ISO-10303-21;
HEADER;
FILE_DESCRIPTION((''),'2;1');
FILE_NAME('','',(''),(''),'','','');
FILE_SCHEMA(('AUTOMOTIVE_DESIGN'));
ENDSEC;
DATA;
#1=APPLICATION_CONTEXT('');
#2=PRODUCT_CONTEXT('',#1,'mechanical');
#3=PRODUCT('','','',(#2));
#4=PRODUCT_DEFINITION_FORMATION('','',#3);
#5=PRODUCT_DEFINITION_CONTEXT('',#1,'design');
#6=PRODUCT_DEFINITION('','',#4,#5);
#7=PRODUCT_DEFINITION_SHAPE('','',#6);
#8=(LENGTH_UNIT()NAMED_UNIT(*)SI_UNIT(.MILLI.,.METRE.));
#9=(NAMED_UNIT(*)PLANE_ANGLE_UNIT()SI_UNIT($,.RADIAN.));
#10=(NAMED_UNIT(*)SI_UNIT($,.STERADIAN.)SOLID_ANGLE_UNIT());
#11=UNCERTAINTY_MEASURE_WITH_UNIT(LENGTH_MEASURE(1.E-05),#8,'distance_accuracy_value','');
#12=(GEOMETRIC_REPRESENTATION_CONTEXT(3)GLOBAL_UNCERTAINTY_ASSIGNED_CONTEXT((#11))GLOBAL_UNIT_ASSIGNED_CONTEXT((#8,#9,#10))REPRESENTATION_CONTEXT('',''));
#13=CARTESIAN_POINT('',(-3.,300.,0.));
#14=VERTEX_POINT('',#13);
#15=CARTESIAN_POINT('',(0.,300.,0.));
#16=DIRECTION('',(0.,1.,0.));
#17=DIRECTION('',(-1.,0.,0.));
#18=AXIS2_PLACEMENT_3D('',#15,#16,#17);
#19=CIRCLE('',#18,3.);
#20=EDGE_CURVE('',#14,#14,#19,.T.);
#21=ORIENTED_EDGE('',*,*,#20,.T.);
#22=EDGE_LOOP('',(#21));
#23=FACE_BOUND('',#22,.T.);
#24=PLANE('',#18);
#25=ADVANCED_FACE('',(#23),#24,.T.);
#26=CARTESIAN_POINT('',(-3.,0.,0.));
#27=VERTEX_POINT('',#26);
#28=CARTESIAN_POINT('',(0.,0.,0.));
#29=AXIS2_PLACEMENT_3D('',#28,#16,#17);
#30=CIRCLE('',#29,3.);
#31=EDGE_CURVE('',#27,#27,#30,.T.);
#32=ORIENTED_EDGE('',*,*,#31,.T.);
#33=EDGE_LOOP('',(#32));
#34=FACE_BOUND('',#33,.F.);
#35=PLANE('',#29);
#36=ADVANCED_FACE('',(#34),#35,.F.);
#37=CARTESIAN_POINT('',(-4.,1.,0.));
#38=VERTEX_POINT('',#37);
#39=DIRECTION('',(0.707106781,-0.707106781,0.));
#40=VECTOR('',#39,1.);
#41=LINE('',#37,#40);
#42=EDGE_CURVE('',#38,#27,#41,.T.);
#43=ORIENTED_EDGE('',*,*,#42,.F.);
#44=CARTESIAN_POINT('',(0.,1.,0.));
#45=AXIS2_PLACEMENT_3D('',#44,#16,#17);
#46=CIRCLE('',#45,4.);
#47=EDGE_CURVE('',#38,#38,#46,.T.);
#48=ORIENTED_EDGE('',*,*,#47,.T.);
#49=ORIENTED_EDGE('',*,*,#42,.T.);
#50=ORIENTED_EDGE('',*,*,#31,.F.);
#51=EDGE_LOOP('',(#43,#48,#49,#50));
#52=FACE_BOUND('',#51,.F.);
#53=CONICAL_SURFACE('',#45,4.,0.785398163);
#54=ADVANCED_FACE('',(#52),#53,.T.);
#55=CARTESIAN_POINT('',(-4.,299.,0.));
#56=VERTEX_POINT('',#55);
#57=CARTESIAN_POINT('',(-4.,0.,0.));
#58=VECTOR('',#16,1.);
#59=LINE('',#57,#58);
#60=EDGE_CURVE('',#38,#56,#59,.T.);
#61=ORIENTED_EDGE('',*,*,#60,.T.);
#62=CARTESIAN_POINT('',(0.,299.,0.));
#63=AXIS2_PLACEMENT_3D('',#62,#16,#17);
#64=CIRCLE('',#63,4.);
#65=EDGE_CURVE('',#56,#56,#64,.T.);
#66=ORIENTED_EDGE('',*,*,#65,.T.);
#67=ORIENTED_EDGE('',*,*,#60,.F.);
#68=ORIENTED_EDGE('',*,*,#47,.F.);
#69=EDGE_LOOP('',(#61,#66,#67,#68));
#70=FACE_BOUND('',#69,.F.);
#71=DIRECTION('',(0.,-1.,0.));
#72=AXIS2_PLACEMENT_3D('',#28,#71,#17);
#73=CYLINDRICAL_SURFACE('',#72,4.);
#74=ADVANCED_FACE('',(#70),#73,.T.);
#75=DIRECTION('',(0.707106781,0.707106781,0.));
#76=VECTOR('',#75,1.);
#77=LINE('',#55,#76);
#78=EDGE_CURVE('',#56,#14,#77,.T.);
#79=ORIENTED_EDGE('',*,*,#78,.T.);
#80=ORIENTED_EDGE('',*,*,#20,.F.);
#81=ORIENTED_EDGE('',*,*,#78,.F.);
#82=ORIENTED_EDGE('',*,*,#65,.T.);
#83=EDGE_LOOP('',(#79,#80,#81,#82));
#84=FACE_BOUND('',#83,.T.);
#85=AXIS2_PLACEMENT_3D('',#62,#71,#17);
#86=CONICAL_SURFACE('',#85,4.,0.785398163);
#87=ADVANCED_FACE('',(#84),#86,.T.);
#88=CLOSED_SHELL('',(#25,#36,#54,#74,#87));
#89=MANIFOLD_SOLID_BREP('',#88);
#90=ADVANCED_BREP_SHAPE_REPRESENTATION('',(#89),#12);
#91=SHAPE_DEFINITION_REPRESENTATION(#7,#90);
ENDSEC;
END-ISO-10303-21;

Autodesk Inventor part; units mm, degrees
ref_plane "YZ Plane" through (0, 0, 0) normal (1, 0, 0) x (0, 1, 0)
ref_plane "XZ Plane" through (0, 0, 0) normal (0, 1, 0) x (-1, 0, 0)
ref_plane "XY Plane" through (0, 0, 0) normal (0, 0, 1) x (1, 0, 0)
sketch "Sketch1" plane through (0, 0, 0) normal (0, 1, 0) x (-1, 0, 0)
  circle A0 centre (0, 0) radius 4
  dimension "d0" = 8
extrude "Extrusion1" add sketch "Sketch1" along normal blind 300
chamfer "Chamfer1" distance 1 angle 45 2 edges at (4, 0, 0) (4, 300, 0)
properties part number "inox_300mm"
